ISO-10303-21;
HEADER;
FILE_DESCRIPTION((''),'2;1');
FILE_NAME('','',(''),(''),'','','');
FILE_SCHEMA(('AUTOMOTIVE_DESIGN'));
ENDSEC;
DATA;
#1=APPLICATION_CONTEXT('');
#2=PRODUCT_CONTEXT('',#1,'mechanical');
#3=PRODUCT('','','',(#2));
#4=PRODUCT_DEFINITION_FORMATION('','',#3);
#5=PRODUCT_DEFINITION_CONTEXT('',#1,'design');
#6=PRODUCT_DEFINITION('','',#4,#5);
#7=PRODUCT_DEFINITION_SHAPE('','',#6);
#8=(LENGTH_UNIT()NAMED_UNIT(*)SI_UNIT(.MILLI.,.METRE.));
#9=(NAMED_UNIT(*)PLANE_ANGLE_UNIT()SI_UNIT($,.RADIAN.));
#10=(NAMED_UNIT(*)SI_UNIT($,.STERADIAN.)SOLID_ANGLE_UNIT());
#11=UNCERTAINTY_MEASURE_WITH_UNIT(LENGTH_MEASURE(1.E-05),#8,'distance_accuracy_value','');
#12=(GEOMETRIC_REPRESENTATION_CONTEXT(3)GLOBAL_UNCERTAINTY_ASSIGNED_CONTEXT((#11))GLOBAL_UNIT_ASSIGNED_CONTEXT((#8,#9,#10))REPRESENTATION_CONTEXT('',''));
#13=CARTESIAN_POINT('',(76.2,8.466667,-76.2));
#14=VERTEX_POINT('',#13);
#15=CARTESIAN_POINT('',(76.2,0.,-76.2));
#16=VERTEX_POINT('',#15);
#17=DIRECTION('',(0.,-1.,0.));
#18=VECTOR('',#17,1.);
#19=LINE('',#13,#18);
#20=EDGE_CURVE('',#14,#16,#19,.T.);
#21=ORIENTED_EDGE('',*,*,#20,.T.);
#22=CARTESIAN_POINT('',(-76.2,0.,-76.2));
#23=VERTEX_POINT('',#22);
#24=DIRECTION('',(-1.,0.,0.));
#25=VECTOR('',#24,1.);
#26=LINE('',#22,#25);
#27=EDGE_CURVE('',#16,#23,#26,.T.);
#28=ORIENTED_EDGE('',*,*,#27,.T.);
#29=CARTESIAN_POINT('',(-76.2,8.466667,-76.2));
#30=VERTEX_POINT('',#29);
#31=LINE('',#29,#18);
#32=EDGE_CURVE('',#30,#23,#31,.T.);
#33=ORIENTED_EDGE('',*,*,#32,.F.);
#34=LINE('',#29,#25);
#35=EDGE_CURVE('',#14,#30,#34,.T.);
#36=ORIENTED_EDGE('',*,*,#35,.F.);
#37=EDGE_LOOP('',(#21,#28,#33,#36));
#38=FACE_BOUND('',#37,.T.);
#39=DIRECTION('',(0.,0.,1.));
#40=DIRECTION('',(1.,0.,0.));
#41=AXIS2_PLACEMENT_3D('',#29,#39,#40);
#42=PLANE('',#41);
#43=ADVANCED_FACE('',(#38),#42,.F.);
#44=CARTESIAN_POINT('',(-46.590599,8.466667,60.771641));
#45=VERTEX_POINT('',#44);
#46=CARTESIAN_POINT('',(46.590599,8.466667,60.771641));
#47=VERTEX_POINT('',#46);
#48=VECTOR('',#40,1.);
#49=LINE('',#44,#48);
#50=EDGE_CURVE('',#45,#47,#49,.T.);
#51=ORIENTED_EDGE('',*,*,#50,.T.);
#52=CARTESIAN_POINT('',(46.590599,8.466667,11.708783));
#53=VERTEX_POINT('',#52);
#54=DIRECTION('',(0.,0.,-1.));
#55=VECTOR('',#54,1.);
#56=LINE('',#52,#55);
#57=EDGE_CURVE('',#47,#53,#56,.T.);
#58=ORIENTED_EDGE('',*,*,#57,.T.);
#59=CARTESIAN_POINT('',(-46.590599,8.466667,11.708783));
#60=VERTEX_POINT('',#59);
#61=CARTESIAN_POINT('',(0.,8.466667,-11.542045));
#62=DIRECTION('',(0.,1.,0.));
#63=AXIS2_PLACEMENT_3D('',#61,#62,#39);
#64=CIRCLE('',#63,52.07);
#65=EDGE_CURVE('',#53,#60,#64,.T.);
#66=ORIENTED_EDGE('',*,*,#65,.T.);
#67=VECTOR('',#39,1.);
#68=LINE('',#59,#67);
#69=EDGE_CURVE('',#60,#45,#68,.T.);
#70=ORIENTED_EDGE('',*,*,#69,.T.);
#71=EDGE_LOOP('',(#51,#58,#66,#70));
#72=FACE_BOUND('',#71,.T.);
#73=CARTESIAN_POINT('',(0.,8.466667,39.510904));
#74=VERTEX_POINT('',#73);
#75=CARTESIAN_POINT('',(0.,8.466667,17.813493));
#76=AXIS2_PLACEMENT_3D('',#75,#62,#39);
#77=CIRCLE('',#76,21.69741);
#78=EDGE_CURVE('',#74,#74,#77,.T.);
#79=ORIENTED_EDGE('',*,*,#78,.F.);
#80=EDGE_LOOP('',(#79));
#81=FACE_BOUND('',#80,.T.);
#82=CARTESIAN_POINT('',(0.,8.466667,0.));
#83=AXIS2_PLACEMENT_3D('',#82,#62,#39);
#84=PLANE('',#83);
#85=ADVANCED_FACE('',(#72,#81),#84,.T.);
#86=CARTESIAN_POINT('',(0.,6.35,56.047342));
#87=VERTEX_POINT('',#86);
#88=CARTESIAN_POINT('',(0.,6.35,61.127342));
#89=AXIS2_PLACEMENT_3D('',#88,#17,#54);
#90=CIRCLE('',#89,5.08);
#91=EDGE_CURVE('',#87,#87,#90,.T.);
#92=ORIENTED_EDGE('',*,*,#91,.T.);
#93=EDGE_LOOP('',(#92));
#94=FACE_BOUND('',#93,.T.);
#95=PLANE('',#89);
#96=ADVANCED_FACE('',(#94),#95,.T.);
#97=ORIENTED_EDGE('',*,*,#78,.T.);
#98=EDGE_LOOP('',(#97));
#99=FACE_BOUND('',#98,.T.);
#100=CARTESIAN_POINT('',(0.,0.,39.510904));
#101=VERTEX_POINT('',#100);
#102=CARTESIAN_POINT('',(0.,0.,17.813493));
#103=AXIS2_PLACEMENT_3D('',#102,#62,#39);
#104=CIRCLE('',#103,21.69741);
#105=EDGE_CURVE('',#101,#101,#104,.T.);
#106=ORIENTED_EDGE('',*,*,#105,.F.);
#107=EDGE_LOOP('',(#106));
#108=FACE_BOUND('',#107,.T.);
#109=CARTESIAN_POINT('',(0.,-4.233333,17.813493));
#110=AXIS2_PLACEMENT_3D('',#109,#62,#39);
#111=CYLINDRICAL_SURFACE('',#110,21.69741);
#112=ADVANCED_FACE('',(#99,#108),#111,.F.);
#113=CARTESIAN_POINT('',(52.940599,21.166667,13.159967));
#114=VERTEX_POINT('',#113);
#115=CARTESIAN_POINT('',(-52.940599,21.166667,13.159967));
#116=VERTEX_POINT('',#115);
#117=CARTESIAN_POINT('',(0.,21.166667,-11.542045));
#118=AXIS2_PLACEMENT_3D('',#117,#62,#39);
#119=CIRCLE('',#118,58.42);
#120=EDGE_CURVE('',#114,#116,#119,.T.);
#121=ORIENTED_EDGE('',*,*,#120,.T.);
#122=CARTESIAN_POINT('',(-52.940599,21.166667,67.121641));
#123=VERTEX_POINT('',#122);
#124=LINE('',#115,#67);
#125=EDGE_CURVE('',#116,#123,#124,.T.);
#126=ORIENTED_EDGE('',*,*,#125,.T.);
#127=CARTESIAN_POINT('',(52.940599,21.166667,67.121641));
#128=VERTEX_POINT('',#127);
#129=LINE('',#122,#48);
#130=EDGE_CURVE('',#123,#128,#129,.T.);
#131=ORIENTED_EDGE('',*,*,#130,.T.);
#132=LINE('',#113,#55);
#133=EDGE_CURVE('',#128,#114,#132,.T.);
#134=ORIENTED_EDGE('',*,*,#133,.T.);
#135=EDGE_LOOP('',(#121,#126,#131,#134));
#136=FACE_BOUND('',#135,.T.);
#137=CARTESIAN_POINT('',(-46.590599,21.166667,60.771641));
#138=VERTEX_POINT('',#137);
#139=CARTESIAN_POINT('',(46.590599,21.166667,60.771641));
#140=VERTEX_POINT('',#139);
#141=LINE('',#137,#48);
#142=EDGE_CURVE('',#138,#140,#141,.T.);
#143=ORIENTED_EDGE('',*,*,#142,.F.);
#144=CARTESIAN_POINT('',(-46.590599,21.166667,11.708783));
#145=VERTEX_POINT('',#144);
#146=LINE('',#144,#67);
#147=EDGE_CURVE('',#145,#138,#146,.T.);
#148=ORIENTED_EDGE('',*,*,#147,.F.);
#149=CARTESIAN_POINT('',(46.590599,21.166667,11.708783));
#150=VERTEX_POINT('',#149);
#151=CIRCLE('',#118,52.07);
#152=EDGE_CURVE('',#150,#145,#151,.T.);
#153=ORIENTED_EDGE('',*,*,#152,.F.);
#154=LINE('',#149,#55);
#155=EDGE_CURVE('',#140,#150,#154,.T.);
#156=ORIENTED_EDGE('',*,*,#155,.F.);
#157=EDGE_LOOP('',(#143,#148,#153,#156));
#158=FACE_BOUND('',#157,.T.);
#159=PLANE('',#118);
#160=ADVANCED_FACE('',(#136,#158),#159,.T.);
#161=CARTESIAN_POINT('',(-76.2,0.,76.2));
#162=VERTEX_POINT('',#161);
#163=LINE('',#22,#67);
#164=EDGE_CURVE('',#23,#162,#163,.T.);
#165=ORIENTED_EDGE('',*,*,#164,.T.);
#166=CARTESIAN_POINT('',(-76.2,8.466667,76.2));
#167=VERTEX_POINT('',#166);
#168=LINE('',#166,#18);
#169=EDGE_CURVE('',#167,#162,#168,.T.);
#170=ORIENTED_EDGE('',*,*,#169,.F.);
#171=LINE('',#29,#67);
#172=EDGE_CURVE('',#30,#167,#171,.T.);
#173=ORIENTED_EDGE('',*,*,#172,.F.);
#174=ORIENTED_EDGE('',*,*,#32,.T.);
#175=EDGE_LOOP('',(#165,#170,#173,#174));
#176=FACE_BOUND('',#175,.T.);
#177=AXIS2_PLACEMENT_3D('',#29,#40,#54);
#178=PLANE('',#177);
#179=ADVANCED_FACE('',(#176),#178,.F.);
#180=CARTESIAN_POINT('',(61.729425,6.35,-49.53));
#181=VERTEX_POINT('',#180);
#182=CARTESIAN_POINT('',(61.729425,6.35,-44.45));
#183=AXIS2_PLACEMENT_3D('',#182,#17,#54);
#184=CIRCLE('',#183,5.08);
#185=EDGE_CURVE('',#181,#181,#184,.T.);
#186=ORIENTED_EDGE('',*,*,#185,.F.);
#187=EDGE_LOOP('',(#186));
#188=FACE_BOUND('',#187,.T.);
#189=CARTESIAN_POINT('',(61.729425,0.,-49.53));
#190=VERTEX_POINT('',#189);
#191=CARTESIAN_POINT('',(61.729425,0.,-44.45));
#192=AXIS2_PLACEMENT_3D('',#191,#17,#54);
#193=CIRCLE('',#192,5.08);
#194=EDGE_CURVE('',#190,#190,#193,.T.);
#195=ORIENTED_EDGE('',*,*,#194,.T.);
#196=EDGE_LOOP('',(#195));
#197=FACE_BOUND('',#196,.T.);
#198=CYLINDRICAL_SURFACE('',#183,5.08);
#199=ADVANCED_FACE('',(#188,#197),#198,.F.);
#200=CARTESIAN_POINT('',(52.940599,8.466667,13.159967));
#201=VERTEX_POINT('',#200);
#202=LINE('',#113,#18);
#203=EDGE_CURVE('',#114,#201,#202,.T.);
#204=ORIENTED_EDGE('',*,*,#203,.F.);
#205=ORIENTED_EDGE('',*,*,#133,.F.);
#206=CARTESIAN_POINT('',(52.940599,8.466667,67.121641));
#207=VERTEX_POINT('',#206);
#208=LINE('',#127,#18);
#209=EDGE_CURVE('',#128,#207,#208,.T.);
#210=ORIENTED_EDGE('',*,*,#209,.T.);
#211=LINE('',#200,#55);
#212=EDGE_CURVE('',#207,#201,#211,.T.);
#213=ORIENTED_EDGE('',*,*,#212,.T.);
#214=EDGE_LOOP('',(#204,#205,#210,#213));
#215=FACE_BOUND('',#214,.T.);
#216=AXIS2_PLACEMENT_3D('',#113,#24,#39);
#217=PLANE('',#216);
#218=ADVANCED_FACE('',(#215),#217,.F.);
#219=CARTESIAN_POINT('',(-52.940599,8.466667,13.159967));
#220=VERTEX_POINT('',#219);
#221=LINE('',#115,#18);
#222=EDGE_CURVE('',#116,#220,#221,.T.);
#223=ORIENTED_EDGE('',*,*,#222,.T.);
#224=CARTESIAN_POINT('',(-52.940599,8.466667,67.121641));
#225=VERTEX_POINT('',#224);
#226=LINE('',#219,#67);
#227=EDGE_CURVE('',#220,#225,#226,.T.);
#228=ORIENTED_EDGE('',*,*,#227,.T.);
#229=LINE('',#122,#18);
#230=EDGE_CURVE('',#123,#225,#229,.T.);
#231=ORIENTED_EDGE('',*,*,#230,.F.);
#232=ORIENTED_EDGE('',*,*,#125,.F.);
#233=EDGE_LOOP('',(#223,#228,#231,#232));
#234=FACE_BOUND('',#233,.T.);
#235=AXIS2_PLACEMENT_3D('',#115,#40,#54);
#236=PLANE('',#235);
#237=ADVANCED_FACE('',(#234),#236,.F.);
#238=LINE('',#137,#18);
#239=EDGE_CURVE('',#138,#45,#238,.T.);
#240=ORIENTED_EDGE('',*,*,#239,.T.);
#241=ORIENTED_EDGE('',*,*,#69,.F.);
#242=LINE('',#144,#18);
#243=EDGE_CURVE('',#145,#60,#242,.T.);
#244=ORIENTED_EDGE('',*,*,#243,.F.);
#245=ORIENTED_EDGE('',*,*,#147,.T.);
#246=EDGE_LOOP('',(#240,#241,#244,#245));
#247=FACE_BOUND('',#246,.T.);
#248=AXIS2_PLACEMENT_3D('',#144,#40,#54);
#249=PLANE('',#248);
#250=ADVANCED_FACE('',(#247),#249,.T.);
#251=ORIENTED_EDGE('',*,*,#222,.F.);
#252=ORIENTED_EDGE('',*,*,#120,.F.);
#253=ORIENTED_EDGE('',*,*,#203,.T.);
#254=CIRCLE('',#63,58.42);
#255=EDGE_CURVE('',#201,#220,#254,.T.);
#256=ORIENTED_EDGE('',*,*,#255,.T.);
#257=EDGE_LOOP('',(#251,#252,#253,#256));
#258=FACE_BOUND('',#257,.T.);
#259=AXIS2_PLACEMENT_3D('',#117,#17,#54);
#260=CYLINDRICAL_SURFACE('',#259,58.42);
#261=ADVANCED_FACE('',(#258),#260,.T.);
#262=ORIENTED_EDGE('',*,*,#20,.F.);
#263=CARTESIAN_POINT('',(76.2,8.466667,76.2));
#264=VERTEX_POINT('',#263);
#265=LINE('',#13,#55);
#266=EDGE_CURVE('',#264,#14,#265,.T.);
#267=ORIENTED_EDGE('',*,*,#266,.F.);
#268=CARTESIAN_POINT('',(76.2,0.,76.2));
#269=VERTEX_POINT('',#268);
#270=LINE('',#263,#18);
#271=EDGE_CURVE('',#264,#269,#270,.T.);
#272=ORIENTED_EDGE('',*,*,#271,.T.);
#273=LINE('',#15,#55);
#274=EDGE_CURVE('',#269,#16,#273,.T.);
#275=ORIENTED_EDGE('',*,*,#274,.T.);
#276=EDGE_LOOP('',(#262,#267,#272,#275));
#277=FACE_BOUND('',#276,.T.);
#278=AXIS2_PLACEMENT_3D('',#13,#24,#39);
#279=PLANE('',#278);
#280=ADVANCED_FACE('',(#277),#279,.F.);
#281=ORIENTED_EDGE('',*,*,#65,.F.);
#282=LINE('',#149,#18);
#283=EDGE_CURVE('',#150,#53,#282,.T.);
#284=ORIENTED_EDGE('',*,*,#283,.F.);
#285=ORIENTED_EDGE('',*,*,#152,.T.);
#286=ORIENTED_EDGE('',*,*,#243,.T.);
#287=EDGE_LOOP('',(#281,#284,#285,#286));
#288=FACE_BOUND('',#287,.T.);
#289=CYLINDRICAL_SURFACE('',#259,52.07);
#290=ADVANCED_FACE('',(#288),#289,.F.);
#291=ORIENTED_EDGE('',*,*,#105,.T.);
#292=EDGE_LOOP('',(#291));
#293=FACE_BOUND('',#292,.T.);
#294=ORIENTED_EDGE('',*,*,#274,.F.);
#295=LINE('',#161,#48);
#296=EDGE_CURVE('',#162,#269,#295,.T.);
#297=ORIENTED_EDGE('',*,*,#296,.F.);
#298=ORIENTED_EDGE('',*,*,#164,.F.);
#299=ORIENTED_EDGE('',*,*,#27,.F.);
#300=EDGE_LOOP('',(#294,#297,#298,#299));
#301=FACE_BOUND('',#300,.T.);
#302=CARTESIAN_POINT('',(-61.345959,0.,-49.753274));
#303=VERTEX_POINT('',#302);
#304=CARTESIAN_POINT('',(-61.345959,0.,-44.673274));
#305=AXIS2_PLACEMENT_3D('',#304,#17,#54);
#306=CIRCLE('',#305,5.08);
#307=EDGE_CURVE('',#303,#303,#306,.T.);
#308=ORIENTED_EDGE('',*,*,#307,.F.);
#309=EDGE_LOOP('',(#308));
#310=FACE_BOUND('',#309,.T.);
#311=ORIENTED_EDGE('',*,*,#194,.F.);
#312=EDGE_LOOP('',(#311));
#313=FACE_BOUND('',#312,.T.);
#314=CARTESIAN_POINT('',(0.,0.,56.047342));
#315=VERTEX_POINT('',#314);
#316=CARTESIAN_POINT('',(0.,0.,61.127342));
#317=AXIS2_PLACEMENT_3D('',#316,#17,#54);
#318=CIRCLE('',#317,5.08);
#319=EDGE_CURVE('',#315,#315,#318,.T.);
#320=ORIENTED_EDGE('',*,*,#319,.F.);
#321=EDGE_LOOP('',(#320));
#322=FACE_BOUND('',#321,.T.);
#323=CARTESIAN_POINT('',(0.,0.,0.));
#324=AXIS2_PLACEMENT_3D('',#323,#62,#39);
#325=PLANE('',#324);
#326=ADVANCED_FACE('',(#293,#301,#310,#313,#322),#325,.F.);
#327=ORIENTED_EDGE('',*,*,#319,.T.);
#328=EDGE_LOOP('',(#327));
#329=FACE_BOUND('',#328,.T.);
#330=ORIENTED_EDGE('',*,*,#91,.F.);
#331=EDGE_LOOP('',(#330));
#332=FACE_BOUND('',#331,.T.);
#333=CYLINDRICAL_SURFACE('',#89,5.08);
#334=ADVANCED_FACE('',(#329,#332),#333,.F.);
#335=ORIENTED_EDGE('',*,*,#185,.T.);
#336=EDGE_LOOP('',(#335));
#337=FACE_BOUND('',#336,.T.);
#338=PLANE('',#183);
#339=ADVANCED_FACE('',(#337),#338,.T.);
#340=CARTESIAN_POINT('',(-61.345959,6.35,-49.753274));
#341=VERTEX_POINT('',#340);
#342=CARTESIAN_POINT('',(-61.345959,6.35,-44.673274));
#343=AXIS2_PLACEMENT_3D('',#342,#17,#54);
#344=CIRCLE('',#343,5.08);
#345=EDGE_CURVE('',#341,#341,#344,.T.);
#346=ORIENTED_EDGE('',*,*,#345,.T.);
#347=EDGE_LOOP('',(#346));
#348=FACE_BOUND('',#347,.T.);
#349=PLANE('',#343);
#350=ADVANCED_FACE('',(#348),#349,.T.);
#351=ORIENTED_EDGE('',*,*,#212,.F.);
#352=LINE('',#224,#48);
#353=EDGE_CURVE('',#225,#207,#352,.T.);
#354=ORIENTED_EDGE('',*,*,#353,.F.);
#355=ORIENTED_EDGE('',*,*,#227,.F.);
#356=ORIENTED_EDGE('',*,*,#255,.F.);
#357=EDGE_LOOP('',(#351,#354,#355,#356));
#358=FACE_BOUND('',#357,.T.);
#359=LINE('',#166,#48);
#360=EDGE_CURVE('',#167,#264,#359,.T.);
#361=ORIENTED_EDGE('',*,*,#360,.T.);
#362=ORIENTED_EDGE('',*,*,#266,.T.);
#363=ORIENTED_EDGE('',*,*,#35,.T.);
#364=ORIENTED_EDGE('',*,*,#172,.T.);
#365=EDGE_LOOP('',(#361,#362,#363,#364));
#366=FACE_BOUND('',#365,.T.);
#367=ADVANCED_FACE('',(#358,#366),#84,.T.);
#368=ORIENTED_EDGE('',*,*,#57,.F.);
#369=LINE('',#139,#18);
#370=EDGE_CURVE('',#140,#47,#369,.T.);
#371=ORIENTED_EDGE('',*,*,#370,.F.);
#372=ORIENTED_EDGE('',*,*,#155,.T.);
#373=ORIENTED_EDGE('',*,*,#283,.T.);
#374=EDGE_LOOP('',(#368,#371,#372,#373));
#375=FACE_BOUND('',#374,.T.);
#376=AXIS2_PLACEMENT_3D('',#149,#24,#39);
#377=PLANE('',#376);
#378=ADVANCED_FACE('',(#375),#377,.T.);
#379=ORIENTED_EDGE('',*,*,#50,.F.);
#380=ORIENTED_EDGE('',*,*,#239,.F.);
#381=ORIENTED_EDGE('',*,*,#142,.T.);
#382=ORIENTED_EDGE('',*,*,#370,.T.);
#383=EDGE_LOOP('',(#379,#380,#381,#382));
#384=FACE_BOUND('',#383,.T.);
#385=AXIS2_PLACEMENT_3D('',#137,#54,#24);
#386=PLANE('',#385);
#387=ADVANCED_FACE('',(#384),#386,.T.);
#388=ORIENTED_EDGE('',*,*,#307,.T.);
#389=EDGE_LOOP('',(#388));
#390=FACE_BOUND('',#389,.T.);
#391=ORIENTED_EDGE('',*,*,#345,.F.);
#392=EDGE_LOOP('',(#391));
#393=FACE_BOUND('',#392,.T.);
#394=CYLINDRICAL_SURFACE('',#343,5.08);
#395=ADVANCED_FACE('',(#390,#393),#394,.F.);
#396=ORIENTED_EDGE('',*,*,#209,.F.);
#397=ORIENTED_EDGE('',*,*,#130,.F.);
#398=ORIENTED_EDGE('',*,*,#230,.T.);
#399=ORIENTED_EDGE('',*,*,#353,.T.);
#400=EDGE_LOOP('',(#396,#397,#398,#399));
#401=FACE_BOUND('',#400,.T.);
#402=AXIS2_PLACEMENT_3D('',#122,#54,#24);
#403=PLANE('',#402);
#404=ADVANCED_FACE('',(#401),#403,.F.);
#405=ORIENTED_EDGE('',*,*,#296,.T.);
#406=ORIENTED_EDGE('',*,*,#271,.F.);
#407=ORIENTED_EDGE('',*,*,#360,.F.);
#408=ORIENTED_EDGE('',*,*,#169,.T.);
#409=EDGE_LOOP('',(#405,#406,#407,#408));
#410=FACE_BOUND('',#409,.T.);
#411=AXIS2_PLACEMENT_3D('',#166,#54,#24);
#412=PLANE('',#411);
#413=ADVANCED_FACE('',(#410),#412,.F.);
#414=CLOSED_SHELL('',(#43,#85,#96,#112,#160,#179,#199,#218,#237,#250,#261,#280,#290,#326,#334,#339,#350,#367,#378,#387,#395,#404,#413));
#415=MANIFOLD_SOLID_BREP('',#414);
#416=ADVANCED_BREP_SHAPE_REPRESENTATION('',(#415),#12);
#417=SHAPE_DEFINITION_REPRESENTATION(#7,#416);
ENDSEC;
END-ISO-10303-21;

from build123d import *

# Parameters (mm, degrees)
SKETCH1_W           = 152.4
SKETCH1_H           = 152.4
BOSS_EXTRUDE1_DEPTH = 8.466666667
SKETCH2_R           = 5.08
CUT_EXTRUDE1_DEPTH  = 6.35
BOSS_EXTRUDE3_DEPTH = 12.7
SKETCH4_R           = 21.697410495
CUT_EXTRUDE2_DEPTH  = 12.7


with BuildPart() as part:
    # Sketch1 → Boss-Extrude1 (new body)
    with BuildSketch(Plane(origin=(0, 0, 0), x_dir=(1, 0, 0), z_dir=(0, 1, 0))):
        Rectangle(SKETCH1_W, SKETCH1_H)
    extrude(amount=BOSS_EXTRUDE1_DEPTH)

    # Sketch2 → Cut-Extrude1 (cut)
    with BuildSketch(Plane(origin=(0, 0, 0), x_dir=(-1, 0, 0), z_dir=(0, -1, 0))):
        with Locations(Location((61.345958621, 44.67327441, 0), (0, 0, 90))):
            Circle(SKETCH2_R)
        with Locations(Location((0, -61.127341862, 0), (0, 0, 90))):
            Circle(SKETCH2_R)
        with Locations(Location((-61.729425139, 44.45, 0), (0, 0, 90))):
            Circle(SKETCH2_R)
    extrude(amount=-CUT_EXTRUDE1_DEPTH, mode=Mode.SUBTRACT)

    # Sketch3 → Boss-Extrude3 (add)
    with BuildSketch(Plane(origin=(0, 8.466666667, 0), x_dir=(1, 0, 0), z_dir=(0, 1, 0))):
        with BuildLine():
            Line((-52.940598994, -13.15996673), (-52.940598994, -67.121640926))
            Line((-52.940598994, -67.121640926), (52.940598994, -67.121640926))
            Line((52.940598994, -67.121640926), (52.940598994, -13.15996673))
            ThreePointArc((52.940598994, -13.15996673), (0, 69.962044891), (-52.940598994, -13.15996673))
        make_face()
        with BuildLine():
            Line((-46.590598994, -11.708782736), (-46.590598994, -60.771640926))
            Line((-46.590598994, -60.771640926), (46.590598994, -60.771640926))
            Line((46.590598994, -60.771640926), (46.590598994, -11.708782736))
            ThreePointArc((46.590598994, -11.708782736), (0, 63.612044891), (-46.590598994, -11.708782736))
        make_face(mode=Mode.SUBTRACT)
    extrude(amount=BOSS_EXTRUDE3_DEPTH)

    # Sketch4 → Cut-Extrude2 (cut)
    with BuildSketch(Plane(origin=(0, 8.466666667, 0), x_dir=(1, 0, 0), z_dir=(0, 1, 0))):
        with Locations(Location((0, -17.813493045, 0), (0, 0, 270))):
            Circle(SKETCH4_R)
    extrude(amount=-CUT_EXTRUDE2_DEPTH, mode=Mode.SUBTRACT)


solid = part.part
